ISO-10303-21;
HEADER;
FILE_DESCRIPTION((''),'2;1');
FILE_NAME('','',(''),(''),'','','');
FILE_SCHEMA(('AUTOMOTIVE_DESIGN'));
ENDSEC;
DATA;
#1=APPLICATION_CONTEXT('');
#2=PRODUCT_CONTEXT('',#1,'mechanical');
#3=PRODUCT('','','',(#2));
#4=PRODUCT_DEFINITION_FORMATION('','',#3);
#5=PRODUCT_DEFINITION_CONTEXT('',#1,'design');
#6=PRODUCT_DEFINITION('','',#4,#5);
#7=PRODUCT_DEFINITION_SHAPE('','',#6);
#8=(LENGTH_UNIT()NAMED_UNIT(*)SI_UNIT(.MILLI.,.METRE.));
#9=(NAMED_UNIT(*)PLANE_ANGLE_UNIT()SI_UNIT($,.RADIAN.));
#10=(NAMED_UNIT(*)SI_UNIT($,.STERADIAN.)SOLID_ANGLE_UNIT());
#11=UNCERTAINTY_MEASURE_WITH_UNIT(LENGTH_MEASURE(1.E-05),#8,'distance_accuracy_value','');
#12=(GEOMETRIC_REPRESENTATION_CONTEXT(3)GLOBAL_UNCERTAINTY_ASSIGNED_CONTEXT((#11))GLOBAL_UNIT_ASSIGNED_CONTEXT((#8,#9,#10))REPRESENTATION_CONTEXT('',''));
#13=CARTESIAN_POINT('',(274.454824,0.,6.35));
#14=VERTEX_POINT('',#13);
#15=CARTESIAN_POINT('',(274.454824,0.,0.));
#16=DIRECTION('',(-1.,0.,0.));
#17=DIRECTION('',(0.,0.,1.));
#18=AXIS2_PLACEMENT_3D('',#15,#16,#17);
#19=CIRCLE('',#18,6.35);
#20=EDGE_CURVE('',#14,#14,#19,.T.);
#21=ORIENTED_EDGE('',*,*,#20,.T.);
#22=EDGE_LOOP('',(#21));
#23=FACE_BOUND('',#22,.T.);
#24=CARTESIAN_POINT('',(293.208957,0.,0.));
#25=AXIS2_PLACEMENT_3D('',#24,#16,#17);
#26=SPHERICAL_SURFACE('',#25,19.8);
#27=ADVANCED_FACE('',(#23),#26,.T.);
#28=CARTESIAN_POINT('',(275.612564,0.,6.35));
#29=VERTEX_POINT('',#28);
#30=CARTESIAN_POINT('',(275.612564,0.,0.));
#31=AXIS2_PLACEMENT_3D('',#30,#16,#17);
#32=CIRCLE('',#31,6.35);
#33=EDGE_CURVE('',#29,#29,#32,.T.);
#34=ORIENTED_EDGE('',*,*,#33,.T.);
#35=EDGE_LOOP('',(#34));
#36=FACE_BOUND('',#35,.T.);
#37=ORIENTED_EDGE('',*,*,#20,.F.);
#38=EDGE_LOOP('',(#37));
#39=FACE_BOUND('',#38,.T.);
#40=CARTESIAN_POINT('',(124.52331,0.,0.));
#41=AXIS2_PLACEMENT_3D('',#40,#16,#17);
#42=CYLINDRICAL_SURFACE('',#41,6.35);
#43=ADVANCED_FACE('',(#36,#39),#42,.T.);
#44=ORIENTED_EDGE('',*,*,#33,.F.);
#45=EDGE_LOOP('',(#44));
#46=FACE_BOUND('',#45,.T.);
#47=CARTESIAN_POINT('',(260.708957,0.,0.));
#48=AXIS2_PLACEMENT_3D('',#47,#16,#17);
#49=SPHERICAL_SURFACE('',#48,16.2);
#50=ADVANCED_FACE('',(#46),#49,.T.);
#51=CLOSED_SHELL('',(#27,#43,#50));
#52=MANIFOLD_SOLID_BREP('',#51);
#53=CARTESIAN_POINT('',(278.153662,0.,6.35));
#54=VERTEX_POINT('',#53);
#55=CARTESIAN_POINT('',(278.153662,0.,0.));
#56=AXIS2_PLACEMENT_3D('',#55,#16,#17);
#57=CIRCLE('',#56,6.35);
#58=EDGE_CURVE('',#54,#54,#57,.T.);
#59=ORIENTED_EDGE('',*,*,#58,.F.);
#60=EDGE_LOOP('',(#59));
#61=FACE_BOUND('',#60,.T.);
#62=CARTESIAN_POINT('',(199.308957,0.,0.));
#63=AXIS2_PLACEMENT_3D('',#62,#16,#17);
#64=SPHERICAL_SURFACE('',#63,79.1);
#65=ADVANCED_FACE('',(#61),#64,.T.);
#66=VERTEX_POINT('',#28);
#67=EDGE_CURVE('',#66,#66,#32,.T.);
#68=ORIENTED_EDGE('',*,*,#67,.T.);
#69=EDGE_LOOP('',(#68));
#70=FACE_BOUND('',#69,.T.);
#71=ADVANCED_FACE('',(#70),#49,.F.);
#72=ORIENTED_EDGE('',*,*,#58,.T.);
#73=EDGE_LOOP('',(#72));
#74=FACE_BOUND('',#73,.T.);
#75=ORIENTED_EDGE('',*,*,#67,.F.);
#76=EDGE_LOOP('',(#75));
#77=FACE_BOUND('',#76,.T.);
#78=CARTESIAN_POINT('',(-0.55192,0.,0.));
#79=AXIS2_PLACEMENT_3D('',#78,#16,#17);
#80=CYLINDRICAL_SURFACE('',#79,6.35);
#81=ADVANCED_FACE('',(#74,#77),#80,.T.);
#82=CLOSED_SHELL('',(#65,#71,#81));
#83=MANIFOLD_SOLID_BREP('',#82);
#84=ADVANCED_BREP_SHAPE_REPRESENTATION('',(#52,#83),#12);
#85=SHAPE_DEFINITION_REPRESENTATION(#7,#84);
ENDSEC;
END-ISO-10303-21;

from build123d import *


with BuildPart() as part:
    # 草图1 one side → 旋转1 (revolve)
    with BuildSketch(Plane(origin=(0, 0, 0), x_dir=(1, 0, 0), z_dir=(0, 1, 0)), mode=Mode.PRIVATE) as revolve_1_sk:
        with BuildLine():
            ThreePointArc((274.454823773, 6.35), (273.672172998, 3.21777633), (273.40895665, 0))
            Line((273.40895665, 0), (276.90895665, 0))
            ThreePointArc((276.90895665, 0), (276.581549894, 3.24049128), (275.612563596, 6.35))
            Line((275.612563596, 6.35), (274.454823773, 6.35))
        make_face()
    revolve(revolve_1_sk.sketch.rotate(Axis((124.523309526, 0, 0), (1, 0, 0)), 180), axis=Axis((124.523309526, 0, 0), (1, 0, 0)))  # turned: the seam where the file's is


with BuildPart() as body_2:
    # 草图2 one side → 旋转3 (revolve)
    with BuildSketch(Plane(origin=(0, 0, 0), x_dir=(1, 0, 0), z_dir=(0, 1, 0)), mode=Mode.PRIVATE) as revolve_3_sk:
        with BuildLine():
            Line((278.153661609, 6.35), (275.612563596, 6.35))
            ThreePointArc((275.612563596, 6.35), (276.581549894, 3.24049128), (276.90895665, 0))
            Line((276.90895665, 0), (278.40895665, 0))
            ThreePointArc((278.40895665, 0), (278.34510712, 3.177564931), (278.153661609, 6.35))
        make_face()
    revolve(revolve_3_sk.sketch.rotate(Axis((-0.551919993, 0, 0), (1, 0, 0)), 180), axis=Axis((-0.551919993, 0, 0), (1, 0, 0)))  # turned: the seam where the file's is


solid = Compound([part.part, body_2.part])
